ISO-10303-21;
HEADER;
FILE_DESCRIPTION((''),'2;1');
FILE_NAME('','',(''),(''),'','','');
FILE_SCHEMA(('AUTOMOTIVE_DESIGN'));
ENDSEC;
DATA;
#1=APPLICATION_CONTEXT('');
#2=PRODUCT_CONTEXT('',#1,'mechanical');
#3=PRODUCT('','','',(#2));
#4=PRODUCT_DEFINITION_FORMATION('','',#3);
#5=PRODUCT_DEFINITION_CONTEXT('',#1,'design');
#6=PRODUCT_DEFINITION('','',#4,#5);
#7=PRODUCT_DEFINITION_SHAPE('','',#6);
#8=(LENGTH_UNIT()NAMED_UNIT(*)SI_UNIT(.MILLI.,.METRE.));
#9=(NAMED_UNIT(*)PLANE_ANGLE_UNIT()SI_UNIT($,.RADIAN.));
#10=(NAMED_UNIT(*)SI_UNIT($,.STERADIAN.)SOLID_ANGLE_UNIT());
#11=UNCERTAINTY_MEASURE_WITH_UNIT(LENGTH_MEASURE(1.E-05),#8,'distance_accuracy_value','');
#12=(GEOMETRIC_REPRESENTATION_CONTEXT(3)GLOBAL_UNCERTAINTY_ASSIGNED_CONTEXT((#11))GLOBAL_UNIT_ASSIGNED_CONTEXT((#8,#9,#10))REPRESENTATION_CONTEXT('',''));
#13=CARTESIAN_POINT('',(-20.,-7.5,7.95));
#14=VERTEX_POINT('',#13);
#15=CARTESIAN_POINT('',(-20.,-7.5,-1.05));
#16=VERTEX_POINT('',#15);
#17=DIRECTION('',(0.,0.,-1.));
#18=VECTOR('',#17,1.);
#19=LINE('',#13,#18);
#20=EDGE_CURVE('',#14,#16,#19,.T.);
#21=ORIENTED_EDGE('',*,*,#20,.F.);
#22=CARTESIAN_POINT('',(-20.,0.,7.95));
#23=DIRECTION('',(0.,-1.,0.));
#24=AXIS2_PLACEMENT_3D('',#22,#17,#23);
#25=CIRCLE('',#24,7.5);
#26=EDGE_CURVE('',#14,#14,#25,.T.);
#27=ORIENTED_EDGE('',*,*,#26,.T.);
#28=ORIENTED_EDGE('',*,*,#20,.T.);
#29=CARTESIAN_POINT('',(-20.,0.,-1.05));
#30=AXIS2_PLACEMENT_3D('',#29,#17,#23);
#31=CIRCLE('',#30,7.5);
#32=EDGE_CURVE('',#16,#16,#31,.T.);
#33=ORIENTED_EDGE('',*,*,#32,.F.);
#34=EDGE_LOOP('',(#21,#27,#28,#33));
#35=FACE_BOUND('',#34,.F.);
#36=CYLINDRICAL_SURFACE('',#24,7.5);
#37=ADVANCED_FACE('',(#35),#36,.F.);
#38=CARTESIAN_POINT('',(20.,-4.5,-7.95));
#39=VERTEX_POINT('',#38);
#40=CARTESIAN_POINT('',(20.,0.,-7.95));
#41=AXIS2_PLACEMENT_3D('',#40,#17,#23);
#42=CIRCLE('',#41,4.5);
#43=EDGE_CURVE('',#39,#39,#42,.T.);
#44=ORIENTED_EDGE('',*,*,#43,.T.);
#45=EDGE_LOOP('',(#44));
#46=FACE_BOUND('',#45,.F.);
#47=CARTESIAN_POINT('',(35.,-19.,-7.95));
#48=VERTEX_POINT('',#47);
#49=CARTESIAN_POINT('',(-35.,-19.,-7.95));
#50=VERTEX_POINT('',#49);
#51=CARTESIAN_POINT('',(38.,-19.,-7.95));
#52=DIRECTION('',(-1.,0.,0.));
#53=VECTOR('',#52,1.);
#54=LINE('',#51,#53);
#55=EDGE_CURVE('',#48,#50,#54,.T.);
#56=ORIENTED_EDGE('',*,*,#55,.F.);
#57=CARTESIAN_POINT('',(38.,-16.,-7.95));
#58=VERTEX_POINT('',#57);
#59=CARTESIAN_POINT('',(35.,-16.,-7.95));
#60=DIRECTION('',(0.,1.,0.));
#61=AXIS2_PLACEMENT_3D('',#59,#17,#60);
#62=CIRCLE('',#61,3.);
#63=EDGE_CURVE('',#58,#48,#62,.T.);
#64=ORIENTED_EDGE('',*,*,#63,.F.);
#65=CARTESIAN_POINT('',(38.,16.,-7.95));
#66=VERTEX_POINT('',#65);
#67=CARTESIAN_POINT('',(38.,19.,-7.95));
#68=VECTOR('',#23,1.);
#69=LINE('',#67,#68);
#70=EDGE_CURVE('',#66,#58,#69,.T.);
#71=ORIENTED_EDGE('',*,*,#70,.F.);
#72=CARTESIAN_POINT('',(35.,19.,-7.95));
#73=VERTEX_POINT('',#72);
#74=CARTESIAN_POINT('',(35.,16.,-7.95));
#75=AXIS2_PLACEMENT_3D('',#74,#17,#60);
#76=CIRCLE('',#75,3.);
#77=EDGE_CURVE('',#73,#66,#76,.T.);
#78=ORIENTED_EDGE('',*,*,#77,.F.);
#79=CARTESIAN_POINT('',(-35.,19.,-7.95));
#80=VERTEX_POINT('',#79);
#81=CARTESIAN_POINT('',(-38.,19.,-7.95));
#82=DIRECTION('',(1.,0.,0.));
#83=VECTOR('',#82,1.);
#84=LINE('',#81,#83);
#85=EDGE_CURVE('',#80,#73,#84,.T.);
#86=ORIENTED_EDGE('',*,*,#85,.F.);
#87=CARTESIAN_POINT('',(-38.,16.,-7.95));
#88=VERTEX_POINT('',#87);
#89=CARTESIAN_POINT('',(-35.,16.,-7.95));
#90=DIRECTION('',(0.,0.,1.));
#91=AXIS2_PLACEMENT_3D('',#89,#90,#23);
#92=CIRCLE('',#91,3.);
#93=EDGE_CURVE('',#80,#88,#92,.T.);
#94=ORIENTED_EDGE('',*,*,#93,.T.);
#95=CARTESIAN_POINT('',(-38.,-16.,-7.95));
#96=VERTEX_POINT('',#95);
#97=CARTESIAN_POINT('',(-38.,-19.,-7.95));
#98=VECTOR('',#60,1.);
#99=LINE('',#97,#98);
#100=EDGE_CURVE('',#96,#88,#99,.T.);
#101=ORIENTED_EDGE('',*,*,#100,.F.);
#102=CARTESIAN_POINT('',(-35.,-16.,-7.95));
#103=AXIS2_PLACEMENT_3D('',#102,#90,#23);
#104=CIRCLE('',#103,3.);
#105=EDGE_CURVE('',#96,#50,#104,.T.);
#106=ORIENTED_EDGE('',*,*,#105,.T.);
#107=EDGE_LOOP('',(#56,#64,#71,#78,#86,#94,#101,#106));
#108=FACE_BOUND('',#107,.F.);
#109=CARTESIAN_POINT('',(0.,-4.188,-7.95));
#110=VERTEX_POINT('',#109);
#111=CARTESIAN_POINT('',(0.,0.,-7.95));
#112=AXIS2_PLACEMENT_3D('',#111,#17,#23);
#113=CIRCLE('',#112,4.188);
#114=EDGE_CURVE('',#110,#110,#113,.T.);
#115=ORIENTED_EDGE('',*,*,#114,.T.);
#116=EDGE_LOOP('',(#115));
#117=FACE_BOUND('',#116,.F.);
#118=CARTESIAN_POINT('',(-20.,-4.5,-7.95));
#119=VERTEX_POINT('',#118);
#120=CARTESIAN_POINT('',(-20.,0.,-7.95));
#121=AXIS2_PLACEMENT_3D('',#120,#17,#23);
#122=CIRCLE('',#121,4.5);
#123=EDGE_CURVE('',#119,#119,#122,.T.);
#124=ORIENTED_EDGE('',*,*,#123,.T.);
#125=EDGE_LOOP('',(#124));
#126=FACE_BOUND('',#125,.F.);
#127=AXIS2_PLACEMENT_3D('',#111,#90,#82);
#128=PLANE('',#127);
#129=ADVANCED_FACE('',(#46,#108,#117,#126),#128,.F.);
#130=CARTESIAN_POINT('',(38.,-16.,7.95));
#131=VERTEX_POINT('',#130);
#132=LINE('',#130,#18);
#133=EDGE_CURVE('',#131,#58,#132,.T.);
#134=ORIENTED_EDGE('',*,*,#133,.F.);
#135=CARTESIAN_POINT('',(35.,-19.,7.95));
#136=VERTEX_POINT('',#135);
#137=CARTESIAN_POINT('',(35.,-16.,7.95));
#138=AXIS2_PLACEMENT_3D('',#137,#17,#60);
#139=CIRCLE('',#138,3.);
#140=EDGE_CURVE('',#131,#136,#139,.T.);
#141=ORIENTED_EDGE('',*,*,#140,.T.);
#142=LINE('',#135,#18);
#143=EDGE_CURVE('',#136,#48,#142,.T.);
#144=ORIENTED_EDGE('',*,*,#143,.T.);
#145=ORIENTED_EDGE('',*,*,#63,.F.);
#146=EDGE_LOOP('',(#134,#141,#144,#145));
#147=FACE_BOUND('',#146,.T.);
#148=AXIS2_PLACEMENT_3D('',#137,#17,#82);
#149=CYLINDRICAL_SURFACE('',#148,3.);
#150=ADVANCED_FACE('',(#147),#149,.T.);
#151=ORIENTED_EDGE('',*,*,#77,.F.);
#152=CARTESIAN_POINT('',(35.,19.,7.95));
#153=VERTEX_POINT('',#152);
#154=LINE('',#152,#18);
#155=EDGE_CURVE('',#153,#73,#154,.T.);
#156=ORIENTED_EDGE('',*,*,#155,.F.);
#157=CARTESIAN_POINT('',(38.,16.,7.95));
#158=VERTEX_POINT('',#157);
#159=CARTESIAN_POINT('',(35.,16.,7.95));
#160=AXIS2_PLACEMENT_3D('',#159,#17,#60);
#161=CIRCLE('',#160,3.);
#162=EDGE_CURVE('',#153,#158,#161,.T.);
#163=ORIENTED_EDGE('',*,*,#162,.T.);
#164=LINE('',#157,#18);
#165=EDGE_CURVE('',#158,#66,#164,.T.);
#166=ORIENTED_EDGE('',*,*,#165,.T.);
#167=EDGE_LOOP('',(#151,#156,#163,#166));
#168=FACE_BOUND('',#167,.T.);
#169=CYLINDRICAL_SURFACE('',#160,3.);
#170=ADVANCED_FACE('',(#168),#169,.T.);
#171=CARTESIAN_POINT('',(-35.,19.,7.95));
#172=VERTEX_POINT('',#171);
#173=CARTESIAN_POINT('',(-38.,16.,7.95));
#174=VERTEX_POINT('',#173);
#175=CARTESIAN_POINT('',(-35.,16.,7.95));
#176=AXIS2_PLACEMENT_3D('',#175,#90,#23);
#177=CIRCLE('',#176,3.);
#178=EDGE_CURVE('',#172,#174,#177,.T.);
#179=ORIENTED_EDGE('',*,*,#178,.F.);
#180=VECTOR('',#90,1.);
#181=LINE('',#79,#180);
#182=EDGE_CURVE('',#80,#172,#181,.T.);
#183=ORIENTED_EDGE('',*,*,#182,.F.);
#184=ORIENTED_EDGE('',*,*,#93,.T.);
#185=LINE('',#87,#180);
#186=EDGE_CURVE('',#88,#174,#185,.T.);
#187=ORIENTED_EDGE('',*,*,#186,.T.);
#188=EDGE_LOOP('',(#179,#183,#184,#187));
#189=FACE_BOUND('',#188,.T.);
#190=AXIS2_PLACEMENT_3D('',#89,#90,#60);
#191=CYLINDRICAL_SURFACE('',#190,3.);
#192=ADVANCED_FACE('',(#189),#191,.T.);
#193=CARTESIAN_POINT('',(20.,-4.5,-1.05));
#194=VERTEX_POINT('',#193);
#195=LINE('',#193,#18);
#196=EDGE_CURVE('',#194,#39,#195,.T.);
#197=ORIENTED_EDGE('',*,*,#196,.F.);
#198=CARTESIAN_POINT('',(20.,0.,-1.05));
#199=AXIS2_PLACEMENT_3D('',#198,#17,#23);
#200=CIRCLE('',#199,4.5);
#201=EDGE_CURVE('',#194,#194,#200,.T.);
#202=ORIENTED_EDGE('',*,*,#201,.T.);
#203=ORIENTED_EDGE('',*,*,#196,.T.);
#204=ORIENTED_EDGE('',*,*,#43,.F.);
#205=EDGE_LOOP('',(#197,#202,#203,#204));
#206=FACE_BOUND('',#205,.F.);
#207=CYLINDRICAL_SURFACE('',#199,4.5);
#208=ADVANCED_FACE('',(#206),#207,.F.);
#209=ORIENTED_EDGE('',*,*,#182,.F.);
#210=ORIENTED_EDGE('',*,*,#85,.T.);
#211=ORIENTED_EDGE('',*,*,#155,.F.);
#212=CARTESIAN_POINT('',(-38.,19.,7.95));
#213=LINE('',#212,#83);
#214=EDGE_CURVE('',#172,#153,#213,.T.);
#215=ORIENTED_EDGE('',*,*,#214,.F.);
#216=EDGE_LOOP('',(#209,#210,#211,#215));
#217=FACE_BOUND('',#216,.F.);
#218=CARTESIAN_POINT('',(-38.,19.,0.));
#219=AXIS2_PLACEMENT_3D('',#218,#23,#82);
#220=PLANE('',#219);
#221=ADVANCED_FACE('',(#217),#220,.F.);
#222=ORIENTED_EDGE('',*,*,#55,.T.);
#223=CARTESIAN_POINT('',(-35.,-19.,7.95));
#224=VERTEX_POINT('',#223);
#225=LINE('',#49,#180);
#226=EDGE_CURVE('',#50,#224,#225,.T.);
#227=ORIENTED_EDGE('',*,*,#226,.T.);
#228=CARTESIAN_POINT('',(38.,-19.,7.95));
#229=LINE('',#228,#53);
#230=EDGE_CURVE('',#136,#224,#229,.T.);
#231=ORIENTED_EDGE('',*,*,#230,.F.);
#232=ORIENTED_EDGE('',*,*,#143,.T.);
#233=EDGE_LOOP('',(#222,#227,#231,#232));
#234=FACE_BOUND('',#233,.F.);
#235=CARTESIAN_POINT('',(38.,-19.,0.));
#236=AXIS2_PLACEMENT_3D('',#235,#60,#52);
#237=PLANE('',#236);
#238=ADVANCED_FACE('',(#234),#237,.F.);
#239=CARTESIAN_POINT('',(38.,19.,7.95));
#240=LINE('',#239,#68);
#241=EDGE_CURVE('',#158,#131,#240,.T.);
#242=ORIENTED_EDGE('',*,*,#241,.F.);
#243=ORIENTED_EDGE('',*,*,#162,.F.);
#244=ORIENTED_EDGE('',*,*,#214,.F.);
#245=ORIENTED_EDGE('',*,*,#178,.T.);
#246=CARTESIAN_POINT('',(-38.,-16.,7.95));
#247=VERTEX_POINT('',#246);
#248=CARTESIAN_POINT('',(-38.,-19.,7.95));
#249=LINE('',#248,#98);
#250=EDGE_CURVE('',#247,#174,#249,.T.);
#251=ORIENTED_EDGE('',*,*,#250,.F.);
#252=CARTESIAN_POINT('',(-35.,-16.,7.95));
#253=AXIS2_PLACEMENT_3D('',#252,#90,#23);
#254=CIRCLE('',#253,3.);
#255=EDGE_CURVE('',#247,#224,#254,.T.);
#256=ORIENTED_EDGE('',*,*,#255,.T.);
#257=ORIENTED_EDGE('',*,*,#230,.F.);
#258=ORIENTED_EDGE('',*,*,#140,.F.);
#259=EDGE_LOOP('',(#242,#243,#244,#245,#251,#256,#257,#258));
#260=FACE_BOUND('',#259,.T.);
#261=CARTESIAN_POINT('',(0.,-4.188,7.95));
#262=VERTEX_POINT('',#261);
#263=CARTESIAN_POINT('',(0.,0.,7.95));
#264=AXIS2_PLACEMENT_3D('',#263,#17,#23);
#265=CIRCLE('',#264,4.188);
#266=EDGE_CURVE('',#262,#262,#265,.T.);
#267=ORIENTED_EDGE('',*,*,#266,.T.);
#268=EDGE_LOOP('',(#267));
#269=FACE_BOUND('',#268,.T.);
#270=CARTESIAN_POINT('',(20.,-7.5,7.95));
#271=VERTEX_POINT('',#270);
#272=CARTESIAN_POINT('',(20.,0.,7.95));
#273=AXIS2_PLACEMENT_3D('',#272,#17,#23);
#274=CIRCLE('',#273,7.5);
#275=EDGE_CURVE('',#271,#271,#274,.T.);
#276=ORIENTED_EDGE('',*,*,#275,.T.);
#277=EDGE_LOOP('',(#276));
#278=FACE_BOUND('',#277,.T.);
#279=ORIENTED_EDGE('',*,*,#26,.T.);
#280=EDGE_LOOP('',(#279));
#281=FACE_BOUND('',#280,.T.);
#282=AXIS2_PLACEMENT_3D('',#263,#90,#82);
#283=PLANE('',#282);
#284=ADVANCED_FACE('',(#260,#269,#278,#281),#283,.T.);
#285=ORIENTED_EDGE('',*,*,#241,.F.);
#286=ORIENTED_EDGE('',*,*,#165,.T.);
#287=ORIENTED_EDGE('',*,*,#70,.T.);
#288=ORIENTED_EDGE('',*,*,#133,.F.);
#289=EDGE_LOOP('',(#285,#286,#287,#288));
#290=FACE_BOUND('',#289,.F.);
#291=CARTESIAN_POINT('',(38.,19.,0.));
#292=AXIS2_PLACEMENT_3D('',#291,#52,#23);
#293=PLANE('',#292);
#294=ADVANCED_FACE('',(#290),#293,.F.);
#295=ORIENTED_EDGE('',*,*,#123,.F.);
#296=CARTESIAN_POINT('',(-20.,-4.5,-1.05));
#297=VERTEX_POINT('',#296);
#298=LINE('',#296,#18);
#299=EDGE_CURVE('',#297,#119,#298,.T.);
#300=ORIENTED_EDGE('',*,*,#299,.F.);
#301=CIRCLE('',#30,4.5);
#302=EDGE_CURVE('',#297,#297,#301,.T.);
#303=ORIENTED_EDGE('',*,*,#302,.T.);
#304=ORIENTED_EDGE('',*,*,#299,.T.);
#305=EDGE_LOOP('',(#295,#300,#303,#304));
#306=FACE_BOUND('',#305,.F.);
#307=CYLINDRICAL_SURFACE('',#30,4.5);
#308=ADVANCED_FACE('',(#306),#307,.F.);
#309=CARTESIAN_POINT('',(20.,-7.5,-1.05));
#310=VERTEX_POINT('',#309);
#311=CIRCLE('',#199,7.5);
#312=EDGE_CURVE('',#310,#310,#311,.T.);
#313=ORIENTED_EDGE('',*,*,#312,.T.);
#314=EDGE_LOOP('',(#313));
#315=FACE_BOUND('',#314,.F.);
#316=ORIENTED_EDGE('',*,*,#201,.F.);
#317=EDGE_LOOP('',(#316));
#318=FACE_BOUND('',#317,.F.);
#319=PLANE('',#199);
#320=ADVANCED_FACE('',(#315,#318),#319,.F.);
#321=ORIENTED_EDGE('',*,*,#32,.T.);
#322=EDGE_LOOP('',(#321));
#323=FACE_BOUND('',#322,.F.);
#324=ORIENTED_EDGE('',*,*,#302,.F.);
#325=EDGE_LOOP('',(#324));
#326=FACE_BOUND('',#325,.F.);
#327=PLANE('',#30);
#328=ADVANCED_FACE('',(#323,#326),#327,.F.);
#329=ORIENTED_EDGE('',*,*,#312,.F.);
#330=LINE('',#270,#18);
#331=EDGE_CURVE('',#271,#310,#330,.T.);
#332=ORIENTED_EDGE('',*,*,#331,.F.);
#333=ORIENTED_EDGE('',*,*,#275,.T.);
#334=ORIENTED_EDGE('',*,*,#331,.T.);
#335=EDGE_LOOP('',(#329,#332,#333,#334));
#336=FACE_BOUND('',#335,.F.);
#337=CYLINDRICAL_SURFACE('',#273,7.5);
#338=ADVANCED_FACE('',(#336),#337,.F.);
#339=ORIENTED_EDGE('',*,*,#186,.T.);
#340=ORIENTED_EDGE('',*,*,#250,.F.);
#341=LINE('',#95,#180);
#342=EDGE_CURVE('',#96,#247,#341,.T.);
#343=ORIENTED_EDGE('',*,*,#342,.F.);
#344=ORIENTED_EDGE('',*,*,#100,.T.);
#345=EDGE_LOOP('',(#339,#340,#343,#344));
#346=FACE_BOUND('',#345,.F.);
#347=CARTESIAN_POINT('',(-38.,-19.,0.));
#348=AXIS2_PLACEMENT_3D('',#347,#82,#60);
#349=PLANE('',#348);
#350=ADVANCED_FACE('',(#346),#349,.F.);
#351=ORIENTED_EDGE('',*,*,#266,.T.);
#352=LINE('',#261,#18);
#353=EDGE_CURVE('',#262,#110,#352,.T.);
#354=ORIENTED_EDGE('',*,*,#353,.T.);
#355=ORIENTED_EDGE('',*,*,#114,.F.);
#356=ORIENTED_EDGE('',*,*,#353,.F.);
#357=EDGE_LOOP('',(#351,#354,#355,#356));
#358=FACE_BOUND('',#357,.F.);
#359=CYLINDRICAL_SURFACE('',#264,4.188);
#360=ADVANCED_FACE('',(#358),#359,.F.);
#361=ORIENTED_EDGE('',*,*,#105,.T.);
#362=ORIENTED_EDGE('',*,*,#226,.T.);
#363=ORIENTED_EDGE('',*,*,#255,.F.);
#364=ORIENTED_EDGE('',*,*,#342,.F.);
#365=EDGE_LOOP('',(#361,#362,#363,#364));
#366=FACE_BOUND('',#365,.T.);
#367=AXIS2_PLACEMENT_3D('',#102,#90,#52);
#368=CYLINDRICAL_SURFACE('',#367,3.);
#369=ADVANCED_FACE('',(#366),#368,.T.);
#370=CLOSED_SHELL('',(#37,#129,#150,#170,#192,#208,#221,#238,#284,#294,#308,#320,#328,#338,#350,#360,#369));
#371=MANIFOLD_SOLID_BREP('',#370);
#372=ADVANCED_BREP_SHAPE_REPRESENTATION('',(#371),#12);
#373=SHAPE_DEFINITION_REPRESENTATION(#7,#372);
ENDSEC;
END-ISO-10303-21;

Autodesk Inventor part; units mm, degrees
ref_plane "YZ Plane" through (0, 0, 0) normal (1, 0, 0) x (0, 1, 0)
ref_plane "XZ Plane" through (0, 0, 0) normal (0, 1, 0) x (-1, 0, 0)
ref_plane "XY Plane" through (0, 0, 0) normal (0, 0, 1) x (1, 0, 0)
sketch "Sketch1" plane through (0, 0, 0) normal (0, 0, 1) x (1, 0, 0)
  line L0 (-38, 19) -> (38, 19)
  line L1 (38, 19) -> (38, -19)
  line L2 (38, -19) -> (-38, -19)
  line L3 (-38, -19) -> (-38, 19)
  point P0 (0, 0)
  point P1 (0, 19)
  point P2 (-38, 0)
  dimension "Dim_A" = 76
  dimension "Dim_B" = 38
extrude "Base" add sketch "Sketch1" against normal mid plane 15.9
sketch "Sketch2" plane through (0, 0, 7.95) normal (0, 0, 1) x (1, 0, 0)
  line L0 (0, -26.6) -> (0, 26.6) construction
  line L1 (-53.2, 0) -> (53.2, 0) construction
  point P0 (0, 0)
  point P1 (0, 0)
  point P2 (-20, 0)
  dimension "Dim_D1" = 0
  dimension "Dim_D" = 40
hole "MountHole" at (-20, 0, 7.95) direction (0, 0, -1) diameter 9 end through all counterbore diameter 15 counterbore depth 9
hole "CenterHole" at (0, 0, 7.95) direction (0, 0, -1) diameter 8.376 end through all thread size "M10x1.5" class "6H" standard "ANSI Metric M Profile"
pattern_linear "Mount Hole Pattern" count 2 spacing 40 along (1, 0, 0) of "MountHole"
fillet "Fillet1" radius 3 4 edges at (-38, -19, 0) (-38, 19, 0) (38, 19, 0) (38, -19, 0)
properties part number "21-002" material "Steel, High Strength Low Alloy"
